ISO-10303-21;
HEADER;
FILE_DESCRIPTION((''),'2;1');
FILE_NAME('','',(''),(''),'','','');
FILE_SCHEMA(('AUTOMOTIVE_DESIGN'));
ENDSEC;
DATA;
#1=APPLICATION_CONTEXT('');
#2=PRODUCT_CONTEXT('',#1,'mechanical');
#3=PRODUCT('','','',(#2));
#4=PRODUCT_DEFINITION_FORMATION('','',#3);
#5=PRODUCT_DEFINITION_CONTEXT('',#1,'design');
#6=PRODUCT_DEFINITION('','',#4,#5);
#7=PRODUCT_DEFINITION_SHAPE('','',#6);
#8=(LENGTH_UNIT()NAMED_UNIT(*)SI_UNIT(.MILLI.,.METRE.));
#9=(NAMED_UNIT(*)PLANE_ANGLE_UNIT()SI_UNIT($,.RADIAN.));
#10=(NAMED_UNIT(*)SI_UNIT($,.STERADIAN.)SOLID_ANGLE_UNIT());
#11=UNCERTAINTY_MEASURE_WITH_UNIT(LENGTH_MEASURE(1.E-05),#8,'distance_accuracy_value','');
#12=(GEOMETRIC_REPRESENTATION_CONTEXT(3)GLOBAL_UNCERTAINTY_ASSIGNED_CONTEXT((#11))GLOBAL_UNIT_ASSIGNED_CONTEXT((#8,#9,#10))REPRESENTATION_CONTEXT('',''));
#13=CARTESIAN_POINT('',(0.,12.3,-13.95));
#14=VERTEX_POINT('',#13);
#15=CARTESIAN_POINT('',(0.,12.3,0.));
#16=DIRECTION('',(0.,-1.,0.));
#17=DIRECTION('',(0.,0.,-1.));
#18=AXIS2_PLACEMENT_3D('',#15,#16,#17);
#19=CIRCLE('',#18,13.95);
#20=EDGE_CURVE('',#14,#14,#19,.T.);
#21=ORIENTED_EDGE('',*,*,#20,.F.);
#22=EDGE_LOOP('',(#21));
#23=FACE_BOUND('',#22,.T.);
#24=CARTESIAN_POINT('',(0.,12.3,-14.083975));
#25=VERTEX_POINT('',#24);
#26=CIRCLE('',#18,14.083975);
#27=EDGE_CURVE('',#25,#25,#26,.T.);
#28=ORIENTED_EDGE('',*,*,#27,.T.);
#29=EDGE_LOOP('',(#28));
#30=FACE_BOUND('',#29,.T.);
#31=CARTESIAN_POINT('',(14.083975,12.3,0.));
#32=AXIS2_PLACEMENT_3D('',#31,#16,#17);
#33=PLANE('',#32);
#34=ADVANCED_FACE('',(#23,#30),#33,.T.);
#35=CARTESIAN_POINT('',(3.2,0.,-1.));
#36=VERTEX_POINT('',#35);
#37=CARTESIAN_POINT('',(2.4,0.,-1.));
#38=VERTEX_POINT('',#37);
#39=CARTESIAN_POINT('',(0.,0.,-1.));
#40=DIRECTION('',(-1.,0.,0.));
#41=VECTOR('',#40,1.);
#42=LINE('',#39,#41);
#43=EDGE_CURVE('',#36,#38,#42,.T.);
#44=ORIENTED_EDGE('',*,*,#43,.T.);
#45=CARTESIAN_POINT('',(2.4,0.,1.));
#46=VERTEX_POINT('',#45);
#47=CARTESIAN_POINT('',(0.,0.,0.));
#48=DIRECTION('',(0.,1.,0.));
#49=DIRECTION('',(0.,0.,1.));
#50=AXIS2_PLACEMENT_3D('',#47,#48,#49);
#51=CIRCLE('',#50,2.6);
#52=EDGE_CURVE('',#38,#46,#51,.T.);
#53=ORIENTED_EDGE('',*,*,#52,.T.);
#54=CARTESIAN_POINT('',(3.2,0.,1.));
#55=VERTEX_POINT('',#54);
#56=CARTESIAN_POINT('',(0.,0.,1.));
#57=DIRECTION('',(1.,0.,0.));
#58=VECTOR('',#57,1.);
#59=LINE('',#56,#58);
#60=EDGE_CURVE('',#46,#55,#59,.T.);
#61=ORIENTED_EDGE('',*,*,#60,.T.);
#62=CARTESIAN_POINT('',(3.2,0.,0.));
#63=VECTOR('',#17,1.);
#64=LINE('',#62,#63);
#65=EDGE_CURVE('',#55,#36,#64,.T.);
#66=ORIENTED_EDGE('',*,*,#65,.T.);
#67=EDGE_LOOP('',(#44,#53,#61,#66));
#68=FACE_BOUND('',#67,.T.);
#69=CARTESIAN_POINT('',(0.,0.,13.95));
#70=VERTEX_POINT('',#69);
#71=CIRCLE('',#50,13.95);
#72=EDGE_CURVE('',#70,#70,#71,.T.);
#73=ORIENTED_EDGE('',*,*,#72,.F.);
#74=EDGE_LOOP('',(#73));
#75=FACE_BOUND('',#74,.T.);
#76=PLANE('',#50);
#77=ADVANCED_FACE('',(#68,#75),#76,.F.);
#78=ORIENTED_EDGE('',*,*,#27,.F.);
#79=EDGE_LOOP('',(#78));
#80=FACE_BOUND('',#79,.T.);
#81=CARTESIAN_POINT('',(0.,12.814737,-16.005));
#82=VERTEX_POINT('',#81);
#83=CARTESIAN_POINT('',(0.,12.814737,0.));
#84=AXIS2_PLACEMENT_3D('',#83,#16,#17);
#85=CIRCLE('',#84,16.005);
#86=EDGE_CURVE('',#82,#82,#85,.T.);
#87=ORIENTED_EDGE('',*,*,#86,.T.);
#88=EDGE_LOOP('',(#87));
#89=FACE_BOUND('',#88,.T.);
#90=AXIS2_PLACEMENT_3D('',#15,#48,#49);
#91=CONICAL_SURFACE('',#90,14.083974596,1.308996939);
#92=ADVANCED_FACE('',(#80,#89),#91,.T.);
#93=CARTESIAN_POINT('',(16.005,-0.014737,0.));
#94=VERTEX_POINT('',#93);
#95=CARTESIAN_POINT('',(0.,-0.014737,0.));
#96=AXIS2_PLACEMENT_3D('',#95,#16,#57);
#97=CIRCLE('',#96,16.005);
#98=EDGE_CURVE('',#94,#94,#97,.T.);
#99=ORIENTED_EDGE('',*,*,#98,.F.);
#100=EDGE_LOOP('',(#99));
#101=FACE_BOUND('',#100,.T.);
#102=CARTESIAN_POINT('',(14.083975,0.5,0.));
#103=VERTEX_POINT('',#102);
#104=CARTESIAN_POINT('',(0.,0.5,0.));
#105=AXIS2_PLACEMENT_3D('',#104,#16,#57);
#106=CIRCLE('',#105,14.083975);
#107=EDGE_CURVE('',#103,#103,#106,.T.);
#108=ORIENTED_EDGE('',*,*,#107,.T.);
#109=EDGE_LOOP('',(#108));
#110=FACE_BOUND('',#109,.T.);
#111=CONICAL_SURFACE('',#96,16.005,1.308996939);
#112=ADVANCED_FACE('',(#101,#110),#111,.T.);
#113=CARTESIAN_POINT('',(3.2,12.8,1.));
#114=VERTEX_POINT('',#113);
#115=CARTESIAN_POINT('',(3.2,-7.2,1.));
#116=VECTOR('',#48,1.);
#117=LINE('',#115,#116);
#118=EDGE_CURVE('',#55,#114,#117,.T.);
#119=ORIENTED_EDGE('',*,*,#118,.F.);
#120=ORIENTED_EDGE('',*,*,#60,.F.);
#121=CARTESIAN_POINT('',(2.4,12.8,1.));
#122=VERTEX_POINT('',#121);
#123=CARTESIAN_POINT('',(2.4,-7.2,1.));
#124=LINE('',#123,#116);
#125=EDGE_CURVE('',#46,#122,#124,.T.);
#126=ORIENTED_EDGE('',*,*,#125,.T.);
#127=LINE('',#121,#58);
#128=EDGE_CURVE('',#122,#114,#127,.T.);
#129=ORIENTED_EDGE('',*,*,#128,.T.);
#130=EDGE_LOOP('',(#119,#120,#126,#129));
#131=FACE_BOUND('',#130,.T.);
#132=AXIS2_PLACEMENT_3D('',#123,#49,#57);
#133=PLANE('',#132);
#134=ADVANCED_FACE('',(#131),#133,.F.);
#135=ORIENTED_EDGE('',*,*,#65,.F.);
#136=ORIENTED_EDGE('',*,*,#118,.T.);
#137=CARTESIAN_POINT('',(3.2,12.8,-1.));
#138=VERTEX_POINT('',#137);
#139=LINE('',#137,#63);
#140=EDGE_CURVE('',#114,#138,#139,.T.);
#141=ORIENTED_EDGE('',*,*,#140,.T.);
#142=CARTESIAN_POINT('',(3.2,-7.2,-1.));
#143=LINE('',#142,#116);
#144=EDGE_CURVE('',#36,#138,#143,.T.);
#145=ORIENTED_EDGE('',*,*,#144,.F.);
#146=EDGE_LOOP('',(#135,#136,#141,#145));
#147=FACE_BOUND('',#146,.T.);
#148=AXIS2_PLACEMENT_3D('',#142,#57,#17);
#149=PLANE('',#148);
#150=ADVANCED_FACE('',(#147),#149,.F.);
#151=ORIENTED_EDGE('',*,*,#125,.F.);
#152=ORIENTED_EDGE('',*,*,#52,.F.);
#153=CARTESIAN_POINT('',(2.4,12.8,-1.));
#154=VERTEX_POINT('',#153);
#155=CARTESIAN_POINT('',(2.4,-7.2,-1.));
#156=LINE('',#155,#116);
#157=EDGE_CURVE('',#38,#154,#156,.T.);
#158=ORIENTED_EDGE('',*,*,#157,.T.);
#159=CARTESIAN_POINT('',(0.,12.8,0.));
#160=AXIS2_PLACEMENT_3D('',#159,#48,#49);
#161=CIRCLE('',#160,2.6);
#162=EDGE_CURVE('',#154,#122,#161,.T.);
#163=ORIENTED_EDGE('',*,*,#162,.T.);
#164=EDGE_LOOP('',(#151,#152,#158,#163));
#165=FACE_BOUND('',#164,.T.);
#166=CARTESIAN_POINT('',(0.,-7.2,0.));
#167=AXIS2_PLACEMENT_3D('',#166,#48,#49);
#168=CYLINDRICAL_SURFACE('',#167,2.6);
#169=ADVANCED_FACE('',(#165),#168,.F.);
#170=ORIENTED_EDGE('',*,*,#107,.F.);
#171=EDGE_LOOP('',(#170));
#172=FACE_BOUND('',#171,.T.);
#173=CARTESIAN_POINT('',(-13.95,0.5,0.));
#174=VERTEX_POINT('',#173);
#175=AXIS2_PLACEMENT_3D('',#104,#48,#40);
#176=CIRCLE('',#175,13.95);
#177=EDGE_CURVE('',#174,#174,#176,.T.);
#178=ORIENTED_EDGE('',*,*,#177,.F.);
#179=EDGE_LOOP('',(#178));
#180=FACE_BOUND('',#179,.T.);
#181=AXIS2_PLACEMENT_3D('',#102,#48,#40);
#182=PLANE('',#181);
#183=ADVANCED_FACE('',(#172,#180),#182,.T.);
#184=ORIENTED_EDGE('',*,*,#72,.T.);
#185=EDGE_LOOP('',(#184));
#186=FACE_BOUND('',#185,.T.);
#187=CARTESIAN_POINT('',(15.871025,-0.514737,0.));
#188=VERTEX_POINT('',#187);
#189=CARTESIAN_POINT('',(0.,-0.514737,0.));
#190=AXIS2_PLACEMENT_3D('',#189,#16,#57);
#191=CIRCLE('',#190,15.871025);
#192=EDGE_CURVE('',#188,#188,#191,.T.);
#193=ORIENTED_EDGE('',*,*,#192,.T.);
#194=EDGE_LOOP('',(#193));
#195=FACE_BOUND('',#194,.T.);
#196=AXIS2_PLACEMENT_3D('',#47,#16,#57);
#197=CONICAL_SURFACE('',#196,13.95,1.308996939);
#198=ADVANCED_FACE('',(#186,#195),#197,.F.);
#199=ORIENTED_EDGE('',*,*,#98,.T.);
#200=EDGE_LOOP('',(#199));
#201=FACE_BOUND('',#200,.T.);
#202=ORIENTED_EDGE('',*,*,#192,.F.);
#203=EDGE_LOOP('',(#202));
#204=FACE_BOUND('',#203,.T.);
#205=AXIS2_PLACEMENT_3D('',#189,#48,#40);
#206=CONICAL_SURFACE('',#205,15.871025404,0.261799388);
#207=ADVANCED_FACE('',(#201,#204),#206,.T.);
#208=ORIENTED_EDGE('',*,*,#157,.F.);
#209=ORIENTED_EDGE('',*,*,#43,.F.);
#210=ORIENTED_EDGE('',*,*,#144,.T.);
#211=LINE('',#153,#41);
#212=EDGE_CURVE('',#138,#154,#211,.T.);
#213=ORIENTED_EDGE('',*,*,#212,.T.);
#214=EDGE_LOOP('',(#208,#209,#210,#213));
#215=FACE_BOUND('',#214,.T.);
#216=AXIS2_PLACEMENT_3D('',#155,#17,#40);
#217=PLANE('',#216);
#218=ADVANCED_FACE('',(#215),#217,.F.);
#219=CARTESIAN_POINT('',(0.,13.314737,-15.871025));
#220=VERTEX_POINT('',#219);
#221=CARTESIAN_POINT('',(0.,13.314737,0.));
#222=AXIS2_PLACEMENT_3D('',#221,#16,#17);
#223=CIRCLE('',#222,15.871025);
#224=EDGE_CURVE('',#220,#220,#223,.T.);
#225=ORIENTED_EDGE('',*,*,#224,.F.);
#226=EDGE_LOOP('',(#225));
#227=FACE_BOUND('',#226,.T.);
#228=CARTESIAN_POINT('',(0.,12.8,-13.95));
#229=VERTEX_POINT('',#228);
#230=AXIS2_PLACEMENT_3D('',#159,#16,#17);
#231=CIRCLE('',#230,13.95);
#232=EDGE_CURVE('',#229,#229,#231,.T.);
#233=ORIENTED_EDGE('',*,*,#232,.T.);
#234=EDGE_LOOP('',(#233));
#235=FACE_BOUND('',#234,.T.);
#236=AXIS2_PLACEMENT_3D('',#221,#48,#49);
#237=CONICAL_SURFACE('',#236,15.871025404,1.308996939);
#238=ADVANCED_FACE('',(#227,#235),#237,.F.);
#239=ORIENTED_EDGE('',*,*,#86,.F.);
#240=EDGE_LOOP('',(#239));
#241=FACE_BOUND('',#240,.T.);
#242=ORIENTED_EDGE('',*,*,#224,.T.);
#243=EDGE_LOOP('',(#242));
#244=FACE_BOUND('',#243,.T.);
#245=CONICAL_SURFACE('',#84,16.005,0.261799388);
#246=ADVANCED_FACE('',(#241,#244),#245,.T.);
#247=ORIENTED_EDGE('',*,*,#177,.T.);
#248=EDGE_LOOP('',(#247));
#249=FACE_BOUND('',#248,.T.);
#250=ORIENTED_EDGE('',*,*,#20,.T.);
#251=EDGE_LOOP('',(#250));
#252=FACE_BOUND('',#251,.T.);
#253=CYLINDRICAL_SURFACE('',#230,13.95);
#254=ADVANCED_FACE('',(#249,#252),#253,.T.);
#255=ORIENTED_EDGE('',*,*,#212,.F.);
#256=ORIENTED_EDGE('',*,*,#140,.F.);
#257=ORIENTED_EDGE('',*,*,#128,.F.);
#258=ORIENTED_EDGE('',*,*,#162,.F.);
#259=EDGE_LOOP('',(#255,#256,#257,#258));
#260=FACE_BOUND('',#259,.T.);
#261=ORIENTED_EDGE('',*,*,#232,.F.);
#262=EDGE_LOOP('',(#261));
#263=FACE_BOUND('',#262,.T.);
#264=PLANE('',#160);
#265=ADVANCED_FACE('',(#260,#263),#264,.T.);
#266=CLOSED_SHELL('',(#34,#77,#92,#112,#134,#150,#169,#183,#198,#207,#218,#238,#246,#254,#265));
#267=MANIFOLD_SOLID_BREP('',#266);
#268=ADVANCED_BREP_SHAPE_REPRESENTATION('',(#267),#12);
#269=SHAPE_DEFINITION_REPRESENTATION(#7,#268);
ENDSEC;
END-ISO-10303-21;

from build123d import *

# Parameters (mm, degrees)
SKETCH_1_R          = 13.95
EXTRUDE_1_DEPTH     = 12.8
CUT_EXTRUDE_1_DEPTH = 20


with BuildPart() as part:
    # 草图1 → 凸台-拉伸1 (new body)
    with BuildSketch(Plane(origin=(0, 0, 0), x_dir=(1, 0, 0), z_dir=(0, 1, 0))):
        with Locations(Location((0, 0, 0), (0, 0, 270))):
            Circle(SKETCH_1_R)
    extrude(amount=EXTRUDE_1_DEPTH)

    # 草图2 → 切除-拉伸1 (cut)
    with BuildSketch(Plane(origin=(0, 12.8, 0), x_dir=(1, 0, 0), z_dir=(0, 1, 0))):
        with BuildLine():
            Line((2.4, 1), (3.2, 1))
            Line((3.2, 1), (3.2, -1))
            Line((3.2, -1), (2.4, -1))
            ThreePointArc((2.4, -1), (-2.6, 0), (2.4, 1))
        make_face()
    extrude(amount=-CUT_EXTRUDE_1_DEPTH, mode=Mode.SUBTRACT)

    # 草图6 → 旋转1 (revolve)
    with BuildSketch(Plane.XY, mode=Mode.PRIVATE) as revolve_1_sk:
        Polygon((12.14125, 12.3), (12.14125, 12.8), (13.95, 12.8), (15.871025404, 13.314737206), (16.005, 12.814737206), (14.083974596, 12.3), align=None)
    revolve(revolve_1_sk.sketch.rotate(Axis((0, 0, 0), (0, 1, 0)), 90), axis=Axis((0, 0, 0), (0, 1, 0)))

    # 草图8 → 旋转2 (revolve)
    with BuildSketch(Plane.XY):
        Polygon((12.14125, 0.5), (12.14125, 0), (13.95, 0), (15.871025404, -0.514737206), (16.005, -0.014737206), (14.083974596, 0.5), align=None)
    revolve(axis=Axis((0, 0, 0), (0, 1, 0)))


solid = part.part
